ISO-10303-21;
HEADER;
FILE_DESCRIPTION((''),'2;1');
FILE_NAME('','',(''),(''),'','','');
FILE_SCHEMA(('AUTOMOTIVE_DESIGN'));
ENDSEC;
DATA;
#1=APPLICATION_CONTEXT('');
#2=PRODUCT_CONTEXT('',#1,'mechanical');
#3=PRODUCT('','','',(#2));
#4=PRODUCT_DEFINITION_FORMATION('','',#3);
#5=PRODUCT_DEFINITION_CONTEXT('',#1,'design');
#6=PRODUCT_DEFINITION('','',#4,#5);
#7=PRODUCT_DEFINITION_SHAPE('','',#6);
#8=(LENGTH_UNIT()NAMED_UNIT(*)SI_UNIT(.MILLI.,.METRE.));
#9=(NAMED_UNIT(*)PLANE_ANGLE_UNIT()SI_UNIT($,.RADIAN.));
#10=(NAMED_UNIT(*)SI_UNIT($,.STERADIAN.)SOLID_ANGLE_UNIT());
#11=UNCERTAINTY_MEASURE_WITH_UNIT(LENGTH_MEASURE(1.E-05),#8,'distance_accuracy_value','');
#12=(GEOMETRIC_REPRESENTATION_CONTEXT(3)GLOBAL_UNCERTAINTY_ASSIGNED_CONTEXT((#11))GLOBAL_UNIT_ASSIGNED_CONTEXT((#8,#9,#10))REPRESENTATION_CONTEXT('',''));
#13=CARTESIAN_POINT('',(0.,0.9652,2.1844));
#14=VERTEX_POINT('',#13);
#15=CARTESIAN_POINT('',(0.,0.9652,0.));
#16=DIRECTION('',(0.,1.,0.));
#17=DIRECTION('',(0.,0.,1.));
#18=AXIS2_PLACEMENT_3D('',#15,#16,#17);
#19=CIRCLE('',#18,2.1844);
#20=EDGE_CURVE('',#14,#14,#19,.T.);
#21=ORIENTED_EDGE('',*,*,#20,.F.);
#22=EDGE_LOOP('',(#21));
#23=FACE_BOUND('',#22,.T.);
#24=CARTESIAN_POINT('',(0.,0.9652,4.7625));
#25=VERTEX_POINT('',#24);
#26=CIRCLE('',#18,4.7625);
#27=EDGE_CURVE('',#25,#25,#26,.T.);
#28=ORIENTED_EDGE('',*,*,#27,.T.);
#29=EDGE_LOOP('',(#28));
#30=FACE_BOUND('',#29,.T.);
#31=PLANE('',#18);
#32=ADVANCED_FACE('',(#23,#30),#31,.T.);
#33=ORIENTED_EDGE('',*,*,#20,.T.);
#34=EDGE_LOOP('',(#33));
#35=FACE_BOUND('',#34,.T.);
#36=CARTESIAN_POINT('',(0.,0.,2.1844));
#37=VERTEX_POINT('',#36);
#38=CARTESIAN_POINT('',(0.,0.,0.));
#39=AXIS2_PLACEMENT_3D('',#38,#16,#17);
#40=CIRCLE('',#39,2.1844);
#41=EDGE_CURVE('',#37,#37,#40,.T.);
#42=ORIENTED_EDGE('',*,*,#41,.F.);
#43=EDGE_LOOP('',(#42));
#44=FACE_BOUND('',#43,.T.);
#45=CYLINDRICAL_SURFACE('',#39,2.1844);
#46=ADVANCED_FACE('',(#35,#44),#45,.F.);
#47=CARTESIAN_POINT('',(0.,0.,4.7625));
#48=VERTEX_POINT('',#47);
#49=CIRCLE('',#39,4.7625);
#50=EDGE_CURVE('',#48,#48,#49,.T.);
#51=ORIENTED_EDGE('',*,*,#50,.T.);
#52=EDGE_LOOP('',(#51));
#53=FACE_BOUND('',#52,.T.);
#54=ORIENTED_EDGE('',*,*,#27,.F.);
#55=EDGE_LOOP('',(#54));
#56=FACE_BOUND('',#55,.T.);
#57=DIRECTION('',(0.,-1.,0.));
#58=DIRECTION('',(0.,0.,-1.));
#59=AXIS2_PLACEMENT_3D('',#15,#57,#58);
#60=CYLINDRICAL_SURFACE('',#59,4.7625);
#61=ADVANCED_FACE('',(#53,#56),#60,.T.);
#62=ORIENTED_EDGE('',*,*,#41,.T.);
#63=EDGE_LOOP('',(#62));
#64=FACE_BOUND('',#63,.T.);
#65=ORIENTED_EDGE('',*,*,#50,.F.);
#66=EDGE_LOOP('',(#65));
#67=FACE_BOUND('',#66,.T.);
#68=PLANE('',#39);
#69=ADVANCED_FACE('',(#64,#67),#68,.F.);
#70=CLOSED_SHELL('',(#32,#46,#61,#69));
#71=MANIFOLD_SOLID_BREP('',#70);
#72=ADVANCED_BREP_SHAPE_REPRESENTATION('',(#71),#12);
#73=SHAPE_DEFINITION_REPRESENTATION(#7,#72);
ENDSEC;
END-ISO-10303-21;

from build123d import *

# Parameters (mm, degrees)
SKETCH1_R           = 4.7625
BOSS_EXTRUDE1_DEPTH = 0.9652
SKETCH5_R           = 2.1844
CUT_EXTRUDE1_DEPTH  = 1.9652


with BuildPart() as part:
    # Sketch1 → Boss-Extrude1 (new body)
    with BuildSketch(Plane(origin=(0, 0, 0), x_dir=(1, 0, 0), z_dir=(0, 1, 0))):
        Circle(SKETCH1_R)
    extrude(amount=BOSS_EXTRUDE1_DEPTH)

    # Sketch5 → Cut-Extrude1 (cut, through all)
    with BuildSketch(Plane(origin=(0, 0.9652, 0), x_dir=(-1, 0, 0), z_dir=(0, 1, 0))):
        Circle(SKETCH5_R)
    extrude(amount=-CUT_EXTRUDE1_DEPTH, mode=Mode.SUBTRACT)


solid = part.part
